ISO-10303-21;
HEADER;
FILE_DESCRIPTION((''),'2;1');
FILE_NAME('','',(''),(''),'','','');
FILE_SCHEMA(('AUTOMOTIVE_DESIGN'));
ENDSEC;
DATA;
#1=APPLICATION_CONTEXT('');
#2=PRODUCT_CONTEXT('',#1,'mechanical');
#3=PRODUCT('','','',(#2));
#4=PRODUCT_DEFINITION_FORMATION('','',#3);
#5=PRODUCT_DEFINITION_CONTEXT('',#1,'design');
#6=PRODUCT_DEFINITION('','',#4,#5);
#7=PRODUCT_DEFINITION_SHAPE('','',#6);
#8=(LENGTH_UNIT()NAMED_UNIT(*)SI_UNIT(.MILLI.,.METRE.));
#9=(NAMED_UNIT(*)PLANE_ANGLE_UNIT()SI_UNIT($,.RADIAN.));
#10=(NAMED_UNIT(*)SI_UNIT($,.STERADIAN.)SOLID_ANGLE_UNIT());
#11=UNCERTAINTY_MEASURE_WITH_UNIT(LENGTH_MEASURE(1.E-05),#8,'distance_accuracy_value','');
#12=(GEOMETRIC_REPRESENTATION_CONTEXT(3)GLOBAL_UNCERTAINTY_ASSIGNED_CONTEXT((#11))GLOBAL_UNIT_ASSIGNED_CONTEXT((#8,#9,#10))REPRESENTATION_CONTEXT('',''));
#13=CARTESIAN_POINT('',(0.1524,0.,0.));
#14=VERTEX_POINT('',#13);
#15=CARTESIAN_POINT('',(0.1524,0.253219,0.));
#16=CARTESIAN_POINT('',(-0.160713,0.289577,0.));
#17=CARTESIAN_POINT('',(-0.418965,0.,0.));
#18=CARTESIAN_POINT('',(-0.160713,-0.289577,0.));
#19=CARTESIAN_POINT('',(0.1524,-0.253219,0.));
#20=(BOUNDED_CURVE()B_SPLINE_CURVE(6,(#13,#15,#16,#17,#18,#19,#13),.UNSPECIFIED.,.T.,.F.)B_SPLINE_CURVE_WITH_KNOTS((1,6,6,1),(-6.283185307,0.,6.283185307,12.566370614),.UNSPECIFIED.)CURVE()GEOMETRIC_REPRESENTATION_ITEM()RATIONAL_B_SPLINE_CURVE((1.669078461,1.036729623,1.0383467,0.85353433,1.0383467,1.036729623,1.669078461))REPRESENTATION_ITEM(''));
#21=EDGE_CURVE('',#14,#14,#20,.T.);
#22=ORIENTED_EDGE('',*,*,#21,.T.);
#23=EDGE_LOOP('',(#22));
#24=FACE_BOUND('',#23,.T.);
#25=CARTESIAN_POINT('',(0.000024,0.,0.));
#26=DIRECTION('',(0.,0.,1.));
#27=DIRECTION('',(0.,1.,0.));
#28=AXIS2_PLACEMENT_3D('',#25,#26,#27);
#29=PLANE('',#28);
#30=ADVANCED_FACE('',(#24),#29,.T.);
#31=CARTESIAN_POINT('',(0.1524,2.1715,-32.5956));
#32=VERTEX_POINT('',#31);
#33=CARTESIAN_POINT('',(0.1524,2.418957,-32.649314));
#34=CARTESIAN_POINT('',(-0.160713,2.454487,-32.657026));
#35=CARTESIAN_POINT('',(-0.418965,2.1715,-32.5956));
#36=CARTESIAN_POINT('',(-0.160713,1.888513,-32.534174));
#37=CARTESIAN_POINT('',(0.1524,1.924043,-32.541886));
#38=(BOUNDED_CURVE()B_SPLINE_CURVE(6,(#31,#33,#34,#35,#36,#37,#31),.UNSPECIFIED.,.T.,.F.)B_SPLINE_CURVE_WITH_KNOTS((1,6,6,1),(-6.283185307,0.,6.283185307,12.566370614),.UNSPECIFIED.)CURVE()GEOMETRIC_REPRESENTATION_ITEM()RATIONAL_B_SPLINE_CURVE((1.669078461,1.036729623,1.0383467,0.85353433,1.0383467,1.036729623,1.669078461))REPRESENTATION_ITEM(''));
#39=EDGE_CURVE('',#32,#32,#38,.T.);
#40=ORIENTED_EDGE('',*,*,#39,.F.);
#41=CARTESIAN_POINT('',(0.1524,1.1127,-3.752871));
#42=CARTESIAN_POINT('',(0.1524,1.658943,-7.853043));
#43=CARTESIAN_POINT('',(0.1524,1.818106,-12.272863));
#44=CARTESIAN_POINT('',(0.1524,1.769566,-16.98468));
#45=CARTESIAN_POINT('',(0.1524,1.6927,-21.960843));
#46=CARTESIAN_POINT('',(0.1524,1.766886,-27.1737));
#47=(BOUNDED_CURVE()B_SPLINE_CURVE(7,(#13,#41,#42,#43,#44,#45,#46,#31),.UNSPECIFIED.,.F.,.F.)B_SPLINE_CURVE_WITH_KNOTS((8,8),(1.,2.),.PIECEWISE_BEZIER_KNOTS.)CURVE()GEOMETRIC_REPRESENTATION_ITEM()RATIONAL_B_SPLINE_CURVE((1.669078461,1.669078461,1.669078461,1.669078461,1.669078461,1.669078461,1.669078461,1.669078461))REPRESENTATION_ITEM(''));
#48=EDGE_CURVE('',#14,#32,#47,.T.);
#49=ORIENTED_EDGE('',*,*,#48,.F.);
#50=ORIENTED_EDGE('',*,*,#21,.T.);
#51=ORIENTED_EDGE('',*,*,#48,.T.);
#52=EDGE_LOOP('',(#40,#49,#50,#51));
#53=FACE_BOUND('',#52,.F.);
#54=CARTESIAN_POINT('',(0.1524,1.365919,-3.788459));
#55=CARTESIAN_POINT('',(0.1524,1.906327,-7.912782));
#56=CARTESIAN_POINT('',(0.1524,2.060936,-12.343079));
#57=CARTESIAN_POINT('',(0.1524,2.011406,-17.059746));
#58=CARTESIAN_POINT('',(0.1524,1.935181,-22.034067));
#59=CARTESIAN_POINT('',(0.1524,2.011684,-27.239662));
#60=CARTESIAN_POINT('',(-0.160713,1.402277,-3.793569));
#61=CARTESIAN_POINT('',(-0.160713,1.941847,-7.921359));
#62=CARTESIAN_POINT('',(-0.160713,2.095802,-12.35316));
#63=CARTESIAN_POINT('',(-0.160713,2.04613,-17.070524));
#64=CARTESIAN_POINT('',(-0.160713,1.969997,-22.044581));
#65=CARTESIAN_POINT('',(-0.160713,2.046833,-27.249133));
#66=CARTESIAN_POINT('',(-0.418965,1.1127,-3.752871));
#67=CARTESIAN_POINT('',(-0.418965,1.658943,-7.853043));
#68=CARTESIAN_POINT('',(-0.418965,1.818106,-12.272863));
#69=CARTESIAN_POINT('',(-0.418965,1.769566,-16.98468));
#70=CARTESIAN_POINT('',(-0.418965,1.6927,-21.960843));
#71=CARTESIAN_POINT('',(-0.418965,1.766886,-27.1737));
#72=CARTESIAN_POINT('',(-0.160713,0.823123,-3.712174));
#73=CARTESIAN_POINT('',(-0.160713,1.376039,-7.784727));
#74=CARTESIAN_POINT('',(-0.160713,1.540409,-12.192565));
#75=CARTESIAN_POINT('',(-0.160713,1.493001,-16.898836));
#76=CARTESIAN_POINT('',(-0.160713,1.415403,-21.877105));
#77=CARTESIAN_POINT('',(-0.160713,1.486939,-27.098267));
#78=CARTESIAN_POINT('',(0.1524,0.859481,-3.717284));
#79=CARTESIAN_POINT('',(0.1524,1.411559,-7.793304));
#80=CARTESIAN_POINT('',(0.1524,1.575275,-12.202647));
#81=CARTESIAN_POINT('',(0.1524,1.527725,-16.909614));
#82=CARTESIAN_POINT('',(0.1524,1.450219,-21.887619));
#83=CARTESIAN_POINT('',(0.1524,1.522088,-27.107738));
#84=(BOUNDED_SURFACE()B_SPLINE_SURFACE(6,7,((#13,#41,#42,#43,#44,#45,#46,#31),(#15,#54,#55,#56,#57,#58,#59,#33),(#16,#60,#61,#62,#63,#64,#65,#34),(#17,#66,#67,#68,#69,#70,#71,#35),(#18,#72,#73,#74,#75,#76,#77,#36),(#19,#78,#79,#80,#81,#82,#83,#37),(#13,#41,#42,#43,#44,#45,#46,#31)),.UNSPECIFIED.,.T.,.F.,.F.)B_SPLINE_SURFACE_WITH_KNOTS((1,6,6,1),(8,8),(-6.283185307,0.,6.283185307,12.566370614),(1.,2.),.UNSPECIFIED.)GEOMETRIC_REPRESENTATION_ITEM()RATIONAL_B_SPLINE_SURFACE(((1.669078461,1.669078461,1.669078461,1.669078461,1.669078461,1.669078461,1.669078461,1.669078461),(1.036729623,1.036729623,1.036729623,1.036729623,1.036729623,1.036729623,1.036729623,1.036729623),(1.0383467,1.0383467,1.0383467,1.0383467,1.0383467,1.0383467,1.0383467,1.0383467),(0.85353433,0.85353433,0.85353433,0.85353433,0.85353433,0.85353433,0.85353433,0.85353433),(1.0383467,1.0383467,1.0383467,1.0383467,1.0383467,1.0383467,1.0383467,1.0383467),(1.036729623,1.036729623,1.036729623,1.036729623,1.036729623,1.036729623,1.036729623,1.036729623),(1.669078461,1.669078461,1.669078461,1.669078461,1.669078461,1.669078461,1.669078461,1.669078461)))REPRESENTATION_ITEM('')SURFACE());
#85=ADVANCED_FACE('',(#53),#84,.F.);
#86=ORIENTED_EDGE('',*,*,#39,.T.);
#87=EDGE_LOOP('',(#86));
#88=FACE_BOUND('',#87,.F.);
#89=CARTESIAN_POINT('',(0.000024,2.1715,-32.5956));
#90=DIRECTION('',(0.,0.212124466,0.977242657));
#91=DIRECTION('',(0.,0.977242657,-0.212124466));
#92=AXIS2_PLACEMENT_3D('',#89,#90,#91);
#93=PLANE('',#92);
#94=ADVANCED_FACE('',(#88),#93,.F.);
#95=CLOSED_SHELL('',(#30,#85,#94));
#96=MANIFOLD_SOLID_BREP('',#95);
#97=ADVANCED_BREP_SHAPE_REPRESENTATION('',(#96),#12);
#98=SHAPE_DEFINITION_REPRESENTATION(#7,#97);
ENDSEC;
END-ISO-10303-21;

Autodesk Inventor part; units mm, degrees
ref_plane "YZ Plane" through (0, 0, 0) normal (1, 0, 0) x (0, 1, 0)
ref_plane "XZ Plane" through (0, 0, 0) normal (0, 1, 0) x (-1, 0, 0)
ref_plane "XY Plane" through (0, 0, 0) normal (0, 0, 1) x (1, 0, 0)
sketch "Sketch1" plane through (0, 0, 0) normal (1, 0, 0) x (0, 1, 0)
  line L0 (0, 0) -> (2.5963, -8.7567) construction
  line L1 (2.5963, -8.7567) -> (1.2274, -19.9445) construction
  line L2 (1.2274, -19.9445) -> (2.1715, -32.5956) construction
  spline S0 degree 3 poles (0, 0) (2.5963, -8.7567) (1.2274, -19.9445) (2.1715, -32.5956) knots 1 1 1 1 2 2 2 2
sketch "Sketch2" plane through (0, 0, 0) normal (0, 0, 1) x (1, 0, 0)
  circle A0 centre (0, 0) radius 0.1524
  dimension "d0" = 0.3048
sweep "Sweep1" add profiles "Sketch2" path "Sketch1"
properties part number "wire"
